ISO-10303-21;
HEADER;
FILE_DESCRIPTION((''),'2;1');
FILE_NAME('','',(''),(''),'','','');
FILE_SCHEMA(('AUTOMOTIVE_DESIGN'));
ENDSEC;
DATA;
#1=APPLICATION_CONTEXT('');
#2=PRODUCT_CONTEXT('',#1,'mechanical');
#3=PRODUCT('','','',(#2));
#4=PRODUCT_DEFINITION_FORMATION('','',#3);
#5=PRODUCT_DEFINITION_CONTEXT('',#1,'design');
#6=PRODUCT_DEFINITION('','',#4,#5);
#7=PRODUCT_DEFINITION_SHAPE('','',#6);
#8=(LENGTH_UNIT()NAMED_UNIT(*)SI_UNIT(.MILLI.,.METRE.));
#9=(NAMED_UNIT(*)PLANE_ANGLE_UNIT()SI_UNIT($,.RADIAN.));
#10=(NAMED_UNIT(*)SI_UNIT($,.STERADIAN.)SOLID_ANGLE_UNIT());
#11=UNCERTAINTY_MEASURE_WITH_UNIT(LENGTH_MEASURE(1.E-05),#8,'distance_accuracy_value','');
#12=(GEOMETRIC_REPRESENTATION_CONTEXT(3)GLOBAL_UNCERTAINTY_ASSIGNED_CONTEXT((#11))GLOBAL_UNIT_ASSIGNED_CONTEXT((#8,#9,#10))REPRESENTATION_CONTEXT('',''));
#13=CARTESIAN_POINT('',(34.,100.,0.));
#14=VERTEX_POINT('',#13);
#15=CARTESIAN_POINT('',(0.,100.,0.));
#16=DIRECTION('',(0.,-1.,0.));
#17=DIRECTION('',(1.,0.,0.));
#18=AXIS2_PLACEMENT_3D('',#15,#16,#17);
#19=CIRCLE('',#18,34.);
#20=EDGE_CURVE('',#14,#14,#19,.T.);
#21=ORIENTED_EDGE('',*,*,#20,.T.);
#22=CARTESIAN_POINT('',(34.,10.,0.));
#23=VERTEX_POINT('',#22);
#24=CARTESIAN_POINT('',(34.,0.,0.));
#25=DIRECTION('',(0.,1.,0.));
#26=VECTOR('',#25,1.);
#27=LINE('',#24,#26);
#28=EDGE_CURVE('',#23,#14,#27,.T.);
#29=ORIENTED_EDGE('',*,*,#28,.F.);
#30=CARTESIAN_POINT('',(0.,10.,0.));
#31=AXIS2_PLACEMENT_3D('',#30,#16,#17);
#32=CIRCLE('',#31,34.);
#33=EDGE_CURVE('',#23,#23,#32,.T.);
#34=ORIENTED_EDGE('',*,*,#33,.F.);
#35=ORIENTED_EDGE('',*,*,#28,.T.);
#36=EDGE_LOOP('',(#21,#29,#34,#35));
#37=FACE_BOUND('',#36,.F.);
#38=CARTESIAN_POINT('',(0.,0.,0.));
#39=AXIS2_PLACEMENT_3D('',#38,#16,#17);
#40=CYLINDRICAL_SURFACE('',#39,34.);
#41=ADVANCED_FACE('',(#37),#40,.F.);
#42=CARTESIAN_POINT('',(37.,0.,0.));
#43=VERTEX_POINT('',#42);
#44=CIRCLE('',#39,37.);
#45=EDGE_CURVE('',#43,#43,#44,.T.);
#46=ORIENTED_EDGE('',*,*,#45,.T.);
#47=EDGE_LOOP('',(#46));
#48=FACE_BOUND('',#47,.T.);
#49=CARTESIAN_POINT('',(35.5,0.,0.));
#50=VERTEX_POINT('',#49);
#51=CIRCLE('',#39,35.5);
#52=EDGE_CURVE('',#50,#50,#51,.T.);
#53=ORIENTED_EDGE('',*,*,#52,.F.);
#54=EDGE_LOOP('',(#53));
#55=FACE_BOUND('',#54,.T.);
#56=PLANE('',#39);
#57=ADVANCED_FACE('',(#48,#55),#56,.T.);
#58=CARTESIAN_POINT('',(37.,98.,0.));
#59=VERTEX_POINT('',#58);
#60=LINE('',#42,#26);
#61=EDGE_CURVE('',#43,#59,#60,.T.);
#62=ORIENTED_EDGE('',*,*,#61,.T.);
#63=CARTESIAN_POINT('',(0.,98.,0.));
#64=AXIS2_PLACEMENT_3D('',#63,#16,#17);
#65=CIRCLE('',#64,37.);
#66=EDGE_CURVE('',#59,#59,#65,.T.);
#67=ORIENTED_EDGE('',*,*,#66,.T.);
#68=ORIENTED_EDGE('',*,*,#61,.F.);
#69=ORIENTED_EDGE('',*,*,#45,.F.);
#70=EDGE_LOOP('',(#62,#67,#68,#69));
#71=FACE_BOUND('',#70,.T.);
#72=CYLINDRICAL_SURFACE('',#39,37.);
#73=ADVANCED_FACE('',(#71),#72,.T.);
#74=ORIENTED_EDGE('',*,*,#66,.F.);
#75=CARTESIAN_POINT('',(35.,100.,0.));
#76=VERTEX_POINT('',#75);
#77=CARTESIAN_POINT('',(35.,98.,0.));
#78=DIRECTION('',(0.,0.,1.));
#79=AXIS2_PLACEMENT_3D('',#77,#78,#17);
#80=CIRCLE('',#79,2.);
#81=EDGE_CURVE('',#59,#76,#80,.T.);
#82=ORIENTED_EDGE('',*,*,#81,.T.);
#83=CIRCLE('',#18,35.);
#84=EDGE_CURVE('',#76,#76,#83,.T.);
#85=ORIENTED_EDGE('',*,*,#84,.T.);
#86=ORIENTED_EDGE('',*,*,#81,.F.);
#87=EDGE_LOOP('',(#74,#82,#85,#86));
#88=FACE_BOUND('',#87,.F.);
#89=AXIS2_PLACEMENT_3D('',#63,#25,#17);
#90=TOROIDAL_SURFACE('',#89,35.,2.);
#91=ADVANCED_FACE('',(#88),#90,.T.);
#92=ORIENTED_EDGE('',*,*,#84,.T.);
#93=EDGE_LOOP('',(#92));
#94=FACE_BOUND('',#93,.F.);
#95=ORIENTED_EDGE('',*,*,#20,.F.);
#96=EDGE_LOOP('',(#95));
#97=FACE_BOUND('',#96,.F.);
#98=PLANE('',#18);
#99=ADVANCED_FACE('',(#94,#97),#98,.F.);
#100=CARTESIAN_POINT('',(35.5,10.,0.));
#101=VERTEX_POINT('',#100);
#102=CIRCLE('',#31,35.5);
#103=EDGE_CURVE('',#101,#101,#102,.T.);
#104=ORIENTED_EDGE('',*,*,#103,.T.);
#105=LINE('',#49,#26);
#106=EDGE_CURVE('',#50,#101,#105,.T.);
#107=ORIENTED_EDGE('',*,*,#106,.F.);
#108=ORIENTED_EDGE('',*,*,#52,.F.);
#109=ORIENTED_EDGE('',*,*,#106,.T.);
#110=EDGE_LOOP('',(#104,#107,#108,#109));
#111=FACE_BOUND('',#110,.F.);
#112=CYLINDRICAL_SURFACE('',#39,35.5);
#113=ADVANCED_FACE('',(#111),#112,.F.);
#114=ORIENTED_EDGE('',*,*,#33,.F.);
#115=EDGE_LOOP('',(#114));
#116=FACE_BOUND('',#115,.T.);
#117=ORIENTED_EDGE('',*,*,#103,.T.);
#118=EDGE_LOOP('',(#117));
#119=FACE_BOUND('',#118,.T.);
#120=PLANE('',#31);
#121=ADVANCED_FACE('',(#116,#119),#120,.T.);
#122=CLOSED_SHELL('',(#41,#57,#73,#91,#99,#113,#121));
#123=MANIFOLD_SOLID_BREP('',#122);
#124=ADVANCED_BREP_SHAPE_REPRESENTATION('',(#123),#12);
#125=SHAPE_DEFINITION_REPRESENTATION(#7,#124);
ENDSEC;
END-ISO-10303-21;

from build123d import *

# Parameters (mm, degrees)
F0_R     = 37
F1_DEPTH = 100
F2_R     = 34
F3_DEPTH = 245
F4_R     = 2
F5_R     = 35.5
F6_DEPTH = 10


with BuildPart() as f1:
    # F0 (on Front) → F1 (new body)
    with BuildSketch(Plane.XZ):
        Circle(F0_R)
    extrude(amount=-F1_DEPTH)

    # F2 (on face) → F3 (cut)
    with BuildSketch(Plane.XZ):
        Circle(F2_R)
    extrude(amount=-F3_DEPTH, mode=Mode.SUBTRACT)

    # F4
    f4_edges = [f1.edges().sort_by_distance(p)[0] for p in [
        (-37, 100, 0),
    ]]
    fillet(f4_edges, radius=F4_R)

    # F5 (on Front) → F6 (cut)
    with BuildSketch(Plane.XZ):
        Circle(F5_R)
    extrude(amount=-F6_DEPTH, mode=Mode.SUBTRACT)


solid = f1.part
